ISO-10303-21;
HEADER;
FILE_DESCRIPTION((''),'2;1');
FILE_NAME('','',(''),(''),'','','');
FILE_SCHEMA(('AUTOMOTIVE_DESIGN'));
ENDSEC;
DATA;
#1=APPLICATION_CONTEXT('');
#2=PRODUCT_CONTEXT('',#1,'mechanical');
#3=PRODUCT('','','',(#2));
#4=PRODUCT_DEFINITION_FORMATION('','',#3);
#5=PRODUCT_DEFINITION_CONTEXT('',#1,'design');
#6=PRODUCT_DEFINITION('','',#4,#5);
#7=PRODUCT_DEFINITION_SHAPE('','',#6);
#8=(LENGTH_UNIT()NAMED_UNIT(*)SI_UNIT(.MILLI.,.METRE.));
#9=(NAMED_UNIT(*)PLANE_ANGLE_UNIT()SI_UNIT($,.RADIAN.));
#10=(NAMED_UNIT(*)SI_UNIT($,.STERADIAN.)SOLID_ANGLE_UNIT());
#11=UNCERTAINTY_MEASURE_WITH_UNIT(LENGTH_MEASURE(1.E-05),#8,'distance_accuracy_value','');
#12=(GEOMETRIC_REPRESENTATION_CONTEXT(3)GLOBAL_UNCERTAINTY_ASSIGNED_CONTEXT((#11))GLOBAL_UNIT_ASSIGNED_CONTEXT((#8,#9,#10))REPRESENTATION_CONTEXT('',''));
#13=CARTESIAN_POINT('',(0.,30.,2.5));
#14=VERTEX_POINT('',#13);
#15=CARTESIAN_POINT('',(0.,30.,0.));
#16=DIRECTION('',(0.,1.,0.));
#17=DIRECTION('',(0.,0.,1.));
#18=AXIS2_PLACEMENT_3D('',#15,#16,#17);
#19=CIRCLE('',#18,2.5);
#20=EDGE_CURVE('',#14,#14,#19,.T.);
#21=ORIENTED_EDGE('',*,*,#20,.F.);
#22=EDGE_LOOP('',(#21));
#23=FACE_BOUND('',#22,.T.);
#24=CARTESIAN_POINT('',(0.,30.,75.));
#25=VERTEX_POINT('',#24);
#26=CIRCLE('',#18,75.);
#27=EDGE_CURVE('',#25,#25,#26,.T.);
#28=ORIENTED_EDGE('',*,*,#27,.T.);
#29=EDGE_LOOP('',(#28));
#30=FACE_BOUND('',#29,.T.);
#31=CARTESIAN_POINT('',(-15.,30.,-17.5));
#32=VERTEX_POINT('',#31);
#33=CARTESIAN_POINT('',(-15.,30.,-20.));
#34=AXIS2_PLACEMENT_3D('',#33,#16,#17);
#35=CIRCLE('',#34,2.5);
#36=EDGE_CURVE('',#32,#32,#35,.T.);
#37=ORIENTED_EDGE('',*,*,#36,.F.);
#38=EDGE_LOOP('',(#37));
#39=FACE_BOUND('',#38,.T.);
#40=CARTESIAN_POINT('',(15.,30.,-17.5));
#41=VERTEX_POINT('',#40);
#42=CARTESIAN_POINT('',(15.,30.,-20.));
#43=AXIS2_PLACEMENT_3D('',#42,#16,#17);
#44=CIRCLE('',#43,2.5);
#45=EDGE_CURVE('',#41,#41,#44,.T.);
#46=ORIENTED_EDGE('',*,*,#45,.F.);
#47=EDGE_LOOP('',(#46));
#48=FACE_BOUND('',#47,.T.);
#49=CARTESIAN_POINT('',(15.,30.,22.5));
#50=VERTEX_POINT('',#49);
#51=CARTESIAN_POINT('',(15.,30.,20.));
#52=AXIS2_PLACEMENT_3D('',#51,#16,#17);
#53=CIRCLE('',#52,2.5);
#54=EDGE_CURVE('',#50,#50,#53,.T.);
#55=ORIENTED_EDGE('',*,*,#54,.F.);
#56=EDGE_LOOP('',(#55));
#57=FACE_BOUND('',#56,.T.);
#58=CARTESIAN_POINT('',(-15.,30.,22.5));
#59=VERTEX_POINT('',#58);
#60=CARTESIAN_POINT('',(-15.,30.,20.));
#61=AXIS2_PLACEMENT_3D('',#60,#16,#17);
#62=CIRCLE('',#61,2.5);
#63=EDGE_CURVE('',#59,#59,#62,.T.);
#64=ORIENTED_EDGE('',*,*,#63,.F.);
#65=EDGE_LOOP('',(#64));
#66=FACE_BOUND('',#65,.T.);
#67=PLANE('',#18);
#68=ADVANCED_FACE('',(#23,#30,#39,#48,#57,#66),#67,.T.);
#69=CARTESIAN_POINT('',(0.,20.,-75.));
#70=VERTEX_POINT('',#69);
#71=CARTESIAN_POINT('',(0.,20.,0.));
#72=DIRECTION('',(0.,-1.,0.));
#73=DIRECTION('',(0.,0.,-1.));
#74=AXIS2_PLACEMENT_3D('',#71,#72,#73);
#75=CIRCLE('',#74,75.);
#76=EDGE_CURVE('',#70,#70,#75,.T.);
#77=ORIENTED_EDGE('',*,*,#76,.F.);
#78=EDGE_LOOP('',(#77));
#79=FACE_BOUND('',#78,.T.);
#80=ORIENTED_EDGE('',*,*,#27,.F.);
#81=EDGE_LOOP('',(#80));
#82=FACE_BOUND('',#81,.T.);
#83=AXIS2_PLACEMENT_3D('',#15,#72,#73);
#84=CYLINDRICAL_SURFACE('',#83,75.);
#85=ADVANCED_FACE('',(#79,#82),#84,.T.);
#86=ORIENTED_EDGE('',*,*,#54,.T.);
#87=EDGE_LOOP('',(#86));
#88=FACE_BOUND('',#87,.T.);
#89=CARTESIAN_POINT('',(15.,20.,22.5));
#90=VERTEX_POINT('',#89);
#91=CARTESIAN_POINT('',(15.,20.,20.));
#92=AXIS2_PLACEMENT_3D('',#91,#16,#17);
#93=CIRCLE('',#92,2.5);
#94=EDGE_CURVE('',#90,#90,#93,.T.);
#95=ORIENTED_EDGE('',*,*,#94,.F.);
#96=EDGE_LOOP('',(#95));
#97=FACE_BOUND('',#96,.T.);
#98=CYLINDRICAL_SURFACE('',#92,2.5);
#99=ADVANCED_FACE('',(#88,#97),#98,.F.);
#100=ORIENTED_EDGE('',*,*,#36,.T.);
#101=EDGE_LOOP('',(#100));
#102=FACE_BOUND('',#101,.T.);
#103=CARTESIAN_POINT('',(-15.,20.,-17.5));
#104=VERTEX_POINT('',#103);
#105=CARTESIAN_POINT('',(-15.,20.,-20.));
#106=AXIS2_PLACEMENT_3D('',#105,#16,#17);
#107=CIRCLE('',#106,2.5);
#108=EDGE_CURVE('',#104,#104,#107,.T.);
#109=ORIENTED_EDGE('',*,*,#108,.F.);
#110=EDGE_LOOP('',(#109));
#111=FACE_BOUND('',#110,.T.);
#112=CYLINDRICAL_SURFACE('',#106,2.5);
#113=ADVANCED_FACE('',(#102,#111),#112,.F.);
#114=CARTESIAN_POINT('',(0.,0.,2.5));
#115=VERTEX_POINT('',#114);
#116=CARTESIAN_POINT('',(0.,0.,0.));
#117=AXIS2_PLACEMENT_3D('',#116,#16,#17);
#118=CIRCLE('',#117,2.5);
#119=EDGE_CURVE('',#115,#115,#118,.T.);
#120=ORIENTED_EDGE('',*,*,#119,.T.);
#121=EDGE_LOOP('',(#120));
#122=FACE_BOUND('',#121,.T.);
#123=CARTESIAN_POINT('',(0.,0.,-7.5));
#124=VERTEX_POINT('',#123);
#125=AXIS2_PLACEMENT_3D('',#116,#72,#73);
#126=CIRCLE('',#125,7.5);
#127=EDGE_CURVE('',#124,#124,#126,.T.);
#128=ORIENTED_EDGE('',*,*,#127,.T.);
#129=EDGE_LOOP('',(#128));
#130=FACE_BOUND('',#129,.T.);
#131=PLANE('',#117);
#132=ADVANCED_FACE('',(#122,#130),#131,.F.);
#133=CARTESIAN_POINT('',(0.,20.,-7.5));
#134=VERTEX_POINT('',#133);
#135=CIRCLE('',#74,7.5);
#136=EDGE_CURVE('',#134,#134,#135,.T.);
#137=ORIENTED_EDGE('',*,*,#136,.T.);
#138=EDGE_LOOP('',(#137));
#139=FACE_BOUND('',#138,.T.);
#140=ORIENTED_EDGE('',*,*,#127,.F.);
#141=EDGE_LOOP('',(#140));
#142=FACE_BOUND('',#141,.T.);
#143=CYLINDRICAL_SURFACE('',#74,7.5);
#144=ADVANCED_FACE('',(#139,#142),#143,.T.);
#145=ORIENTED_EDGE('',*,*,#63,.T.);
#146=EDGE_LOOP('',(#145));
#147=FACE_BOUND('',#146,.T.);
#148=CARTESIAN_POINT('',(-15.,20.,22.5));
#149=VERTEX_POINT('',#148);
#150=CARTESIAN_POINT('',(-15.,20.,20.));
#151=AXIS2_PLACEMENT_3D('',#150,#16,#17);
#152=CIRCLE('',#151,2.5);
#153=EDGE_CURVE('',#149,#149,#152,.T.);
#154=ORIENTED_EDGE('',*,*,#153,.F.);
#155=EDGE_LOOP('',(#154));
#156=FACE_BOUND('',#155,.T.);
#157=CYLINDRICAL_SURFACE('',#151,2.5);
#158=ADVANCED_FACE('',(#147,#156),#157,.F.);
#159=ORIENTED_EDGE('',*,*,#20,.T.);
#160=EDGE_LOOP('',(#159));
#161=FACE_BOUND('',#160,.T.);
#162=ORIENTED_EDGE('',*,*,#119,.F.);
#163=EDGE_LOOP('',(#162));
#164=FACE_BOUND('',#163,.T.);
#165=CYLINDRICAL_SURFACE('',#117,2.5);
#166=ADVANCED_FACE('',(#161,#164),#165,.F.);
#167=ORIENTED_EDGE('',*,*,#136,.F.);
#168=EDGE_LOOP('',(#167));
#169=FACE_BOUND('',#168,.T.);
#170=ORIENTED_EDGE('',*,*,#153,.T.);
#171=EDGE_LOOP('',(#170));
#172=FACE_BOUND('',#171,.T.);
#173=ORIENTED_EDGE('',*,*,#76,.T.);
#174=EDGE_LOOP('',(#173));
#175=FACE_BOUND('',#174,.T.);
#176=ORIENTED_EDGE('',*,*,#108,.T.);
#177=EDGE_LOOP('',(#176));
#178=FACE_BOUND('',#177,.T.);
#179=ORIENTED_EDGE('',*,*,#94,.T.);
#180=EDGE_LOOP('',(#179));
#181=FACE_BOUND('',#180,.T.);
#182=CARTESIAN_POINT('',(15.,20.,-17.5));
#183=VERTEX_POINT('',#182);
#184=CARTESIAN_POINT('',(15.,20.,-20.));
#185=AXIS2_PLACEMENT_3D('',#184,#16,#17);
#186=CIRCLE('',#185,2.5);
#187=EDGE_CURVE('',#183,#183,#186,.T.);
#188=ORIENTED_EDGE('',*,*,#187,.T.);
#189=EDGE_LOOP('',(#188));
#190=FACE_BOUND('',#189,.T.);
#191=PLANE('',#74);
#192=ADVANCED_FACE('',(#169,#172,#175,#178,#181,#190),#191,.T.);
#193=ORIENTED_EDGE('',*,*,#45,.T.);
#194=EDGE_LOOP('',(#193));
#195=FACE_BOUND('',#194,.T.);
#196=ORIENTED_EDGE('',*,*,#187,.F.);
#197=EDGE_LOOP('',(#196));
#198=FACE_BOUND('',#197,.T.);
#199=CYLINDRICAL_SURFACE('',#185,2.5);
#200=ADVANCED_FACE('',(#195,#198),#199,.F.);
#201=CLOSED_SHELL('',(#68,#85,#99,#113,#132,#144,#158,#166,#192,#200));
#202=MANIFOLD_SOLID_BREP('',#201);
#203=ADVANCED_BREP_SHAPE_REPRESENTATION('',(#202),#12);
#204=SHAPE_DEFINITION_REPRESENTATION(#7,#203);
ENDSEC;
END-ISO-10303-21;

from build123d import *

# Parameters (mm, degrees)
SKETCH1_R           = 75
BOSS_EXTRUDE1_DEPTH = 30
SKETCH2_R           = 75
SKETCH2_R_2         = 7.5
CUT_EXTRUDE1_DEPTH  = 20
SKETCH3_R           = 2.5
CUT_EXTRUDE2_DEPTH  = 30
SKETCH4_R           = 2.5
CUT_EXTRUDE3_DEPTH  = 10


with BuildPart() as part:
    # Sketch1 → Boss-Extrude1 (new body)
    with BuildSketch(Plane(origin=(0, 0, 0), x_dir=(1, 0, 0), z_dir=(0, 1, 0))):
        with Locations(Location((0, 0, 0), (0, 0, 270))):
            Circle(SKETCH1_R)
    extrude(amount=BOSS_EXTRUDE1_DEPTH)

    # Sketch2 → Cut-Extrude1 (cut)
    with BuildSketch(Plane.XZ):
        with Locations(Location((0, 0, 0), (0, 0, 270))):
            Circle(SKETCH2_R)
        with Locations(Location((0, 0, 0), (0, 0, 270))):
            Circle(SKETCH2_R_2, mode=Mode.SUBTRACT)
    extrude(amount=-CUT_EXTRUDE1_DEPTH, mode=Mode.SUBTRACT)

    # Sketch3 → Cut-Extrude2 (cut)
    with BuildSketch(Plane(origin=(0, 30, 0), x_dir=(1, 0, 0), z_dir=(0, 1, 0))):
        with Locations(Location((0, 0, 0), (0, 0, 270))):
            Circle(SKETCH3_R)
    extrude(amount=-CUT_EXTRUDE2_DEPTH, mode=Mode.SUBTRACT)

    # Sketch4 → Cut-Extrude3 (cut)
    with BuildSketch(Plane(origin=(0, 30, 0), x_dir=(1, 0, 0), z_dir=(0, 1, 0))):
        with Locations(Location((-15, 20, 0), (0, 0, 270))):
            Circle(SKETCH4_R)
        with Locations(Location((15, 20, 0), (0, 0, 270))):
            Circle(SKETCH4_R)
        with Locations(Location((-15, -20, 0), (0, 0, 270))):
            Circle(SKETCH4_R)
        with Locations(Location((15, -20, 0), (0, 0, 270))):
            Circle(SKETCH4_R)
    extrude(amount=-CUT_EXTRUDE3_DEPTH, mode=Mode.SUBTRACT)


solid = part.part
